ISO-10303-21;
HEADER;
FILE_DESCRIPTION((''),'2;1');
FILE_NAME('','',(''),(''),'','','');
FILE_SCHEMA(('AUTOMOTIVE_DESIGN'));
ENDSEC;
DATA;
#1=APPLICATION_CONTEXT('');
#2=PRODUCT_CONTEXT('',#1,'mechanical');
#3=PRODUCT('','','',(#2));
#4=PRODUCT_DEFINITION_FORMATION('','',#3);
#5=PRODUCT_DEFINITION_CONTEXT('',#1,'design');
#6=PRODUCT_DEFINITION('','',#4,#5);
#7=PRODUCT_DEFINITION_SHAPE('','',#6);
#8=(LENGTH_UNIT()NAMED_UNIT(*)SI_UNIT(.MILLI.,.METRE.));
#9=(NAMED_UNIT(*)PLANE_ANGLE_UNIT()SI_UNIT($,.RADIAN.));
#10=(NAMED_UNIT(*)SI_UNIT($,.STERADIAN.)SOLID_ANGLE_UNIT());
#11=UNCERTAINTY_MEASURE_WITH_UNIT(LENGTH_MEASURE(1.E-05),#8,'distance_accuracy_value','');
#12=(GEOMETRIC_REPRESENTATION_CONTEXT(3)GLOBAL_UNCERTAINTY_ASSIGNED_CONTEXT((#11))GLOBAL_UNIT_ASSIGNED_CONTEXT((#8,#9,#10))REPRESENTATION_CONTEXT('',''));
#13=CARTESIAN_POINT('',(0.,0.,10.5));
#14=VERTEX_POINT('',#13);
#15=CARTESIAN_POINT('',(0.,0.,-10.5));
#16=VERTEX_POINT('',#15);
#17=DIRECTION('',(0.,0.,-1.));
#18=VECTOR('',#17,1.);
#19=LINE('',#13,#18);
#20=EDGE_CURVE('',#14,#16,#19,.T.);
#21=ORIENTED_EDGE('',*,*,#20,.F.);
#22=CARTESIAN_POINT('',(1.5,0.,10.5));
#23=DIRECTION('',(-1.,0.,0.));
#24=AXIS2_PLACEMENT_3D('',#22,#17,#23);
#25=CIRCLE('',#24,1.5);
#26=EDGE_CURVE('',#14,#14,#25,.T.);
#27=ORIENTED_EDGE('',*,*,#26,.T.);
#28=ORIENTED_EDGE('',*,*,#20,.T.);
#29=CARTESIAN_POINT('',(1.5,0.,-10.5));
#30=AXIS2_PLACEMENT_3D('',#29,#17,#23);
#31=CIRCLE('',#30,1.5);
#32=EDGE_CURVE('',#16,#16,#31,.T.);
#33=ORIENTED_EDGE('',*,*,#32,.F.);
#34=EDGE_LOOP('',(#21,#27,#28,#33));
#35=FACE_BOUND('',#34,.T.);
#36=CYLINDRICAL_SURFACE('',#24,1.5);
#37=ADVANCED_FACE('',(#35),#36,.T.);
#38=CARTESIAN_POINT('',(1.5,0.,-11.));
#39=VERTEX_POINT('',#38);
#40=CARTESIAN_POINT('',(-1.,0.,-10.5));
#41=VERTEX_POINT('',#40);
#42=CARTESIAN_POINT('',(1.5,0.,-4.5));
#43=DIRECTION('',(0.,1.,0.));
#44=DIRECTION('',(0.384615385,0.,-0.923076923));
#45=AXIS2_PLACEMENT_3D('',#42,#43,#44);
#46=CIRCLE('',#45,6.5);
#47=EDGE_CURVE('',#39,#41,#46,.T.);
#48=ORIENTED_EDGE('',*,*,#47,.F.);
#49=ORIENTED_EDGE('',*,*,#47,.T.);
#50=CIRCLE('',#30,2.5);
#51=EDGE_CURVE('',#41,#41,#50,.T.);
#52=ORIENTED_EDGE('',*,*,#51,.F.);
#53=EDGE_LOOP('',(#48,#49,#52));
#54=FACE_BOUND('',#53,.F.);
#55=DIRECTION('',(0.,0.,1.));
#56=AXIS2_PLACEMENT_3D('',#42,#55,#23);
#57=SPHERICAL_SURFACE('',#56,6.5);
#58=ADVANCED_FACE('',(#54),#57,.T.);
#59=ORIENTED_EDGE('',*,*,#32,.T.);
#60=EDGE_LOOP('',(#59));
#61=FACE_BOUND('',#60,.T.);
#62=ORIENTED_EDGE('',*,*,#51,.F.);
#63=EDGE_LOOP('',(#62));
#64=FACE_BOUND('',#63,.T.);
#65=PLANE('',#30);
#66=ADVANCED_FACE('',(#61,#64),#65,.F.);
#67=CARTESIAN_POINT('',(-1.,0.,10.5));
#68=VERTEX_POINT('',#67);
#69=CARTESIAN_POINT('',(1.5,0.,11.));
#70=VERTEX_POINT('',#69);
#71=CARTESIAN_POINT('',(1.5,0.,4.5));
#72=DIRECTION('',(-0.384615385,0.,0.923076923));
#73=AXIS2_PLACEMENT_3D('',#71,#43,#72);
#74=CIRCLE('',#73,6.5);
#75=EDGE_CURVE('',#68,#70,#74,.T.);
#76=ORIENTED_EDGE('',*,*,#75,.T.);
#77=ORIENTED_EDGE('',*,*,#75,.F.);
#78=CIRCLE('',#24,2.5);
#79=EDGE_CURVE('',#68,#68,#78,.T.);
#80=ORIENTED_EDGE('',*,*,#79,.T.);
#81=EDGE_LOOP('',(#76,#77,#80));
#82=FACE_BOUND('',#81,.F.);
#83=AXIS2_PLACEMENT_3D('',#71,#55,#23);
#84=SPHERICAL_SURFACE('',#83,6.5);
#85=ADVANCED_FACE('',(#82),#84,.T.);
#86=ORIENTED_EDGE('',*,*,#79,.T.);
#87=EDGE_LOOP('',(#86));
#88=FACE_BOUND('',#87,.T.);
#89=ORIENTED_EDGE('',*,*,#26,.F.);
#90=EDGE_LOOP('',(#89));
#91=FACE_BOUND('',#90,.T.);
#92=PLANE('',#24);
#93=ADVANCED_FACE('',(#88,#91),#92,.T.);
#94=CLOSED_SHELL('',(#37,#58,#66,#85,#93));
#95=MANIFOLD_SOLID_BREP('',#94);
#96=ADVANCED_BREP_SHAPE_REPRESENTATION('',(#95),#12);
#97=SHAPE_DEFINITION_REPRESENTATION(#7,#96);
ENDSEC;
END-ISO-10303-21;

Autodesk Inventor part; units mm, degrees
ref_plane "YZ Plane" through (0, 0, 0) normal (1, 0, 0) x (0, 1, 0)
ref_plane "XZ Plane" through (0, 0, 0) normal (0, 1, 0) x (-1, 0, 0)
ref_plane "XY Plane" through (0, 0, 0) normal (0, 0, 1) x (1, 0, 0)
sketch "Szkic1" plane through (0, 0, 0) normal (0, 1, 0) x (-1, 0, 0)
  line L0 (1, 10.5) -> (0, 10.5)
  line L1 (0, 10.5) -> (0, -10.5)
  line L2 (0, -10.5) -> (1, -10.5)
  arc A0 (1, 10.5) -> (-4, 10.5) centre (-1.5, 4.5) ccw
  arc A1 (-4, -10.5) -> (1, -10.5) centre (-1.5, -4.5) ccw
  line L3 (-1.5, -4.5) -> (-1.5, 4.5)
  line L4 (-1.5, 11) -> (-1.5, -11)
  point P0 (0, 0)
  point P1 (0, 0)
  dimension "d0" = 1
  dimension "d4" = 5
  dimension "d5" = 1
revolve "Obrót1" add sketch "Szkic1" angle 360 about axis through (1.5, 0, 11) along (0, 0, -1)
